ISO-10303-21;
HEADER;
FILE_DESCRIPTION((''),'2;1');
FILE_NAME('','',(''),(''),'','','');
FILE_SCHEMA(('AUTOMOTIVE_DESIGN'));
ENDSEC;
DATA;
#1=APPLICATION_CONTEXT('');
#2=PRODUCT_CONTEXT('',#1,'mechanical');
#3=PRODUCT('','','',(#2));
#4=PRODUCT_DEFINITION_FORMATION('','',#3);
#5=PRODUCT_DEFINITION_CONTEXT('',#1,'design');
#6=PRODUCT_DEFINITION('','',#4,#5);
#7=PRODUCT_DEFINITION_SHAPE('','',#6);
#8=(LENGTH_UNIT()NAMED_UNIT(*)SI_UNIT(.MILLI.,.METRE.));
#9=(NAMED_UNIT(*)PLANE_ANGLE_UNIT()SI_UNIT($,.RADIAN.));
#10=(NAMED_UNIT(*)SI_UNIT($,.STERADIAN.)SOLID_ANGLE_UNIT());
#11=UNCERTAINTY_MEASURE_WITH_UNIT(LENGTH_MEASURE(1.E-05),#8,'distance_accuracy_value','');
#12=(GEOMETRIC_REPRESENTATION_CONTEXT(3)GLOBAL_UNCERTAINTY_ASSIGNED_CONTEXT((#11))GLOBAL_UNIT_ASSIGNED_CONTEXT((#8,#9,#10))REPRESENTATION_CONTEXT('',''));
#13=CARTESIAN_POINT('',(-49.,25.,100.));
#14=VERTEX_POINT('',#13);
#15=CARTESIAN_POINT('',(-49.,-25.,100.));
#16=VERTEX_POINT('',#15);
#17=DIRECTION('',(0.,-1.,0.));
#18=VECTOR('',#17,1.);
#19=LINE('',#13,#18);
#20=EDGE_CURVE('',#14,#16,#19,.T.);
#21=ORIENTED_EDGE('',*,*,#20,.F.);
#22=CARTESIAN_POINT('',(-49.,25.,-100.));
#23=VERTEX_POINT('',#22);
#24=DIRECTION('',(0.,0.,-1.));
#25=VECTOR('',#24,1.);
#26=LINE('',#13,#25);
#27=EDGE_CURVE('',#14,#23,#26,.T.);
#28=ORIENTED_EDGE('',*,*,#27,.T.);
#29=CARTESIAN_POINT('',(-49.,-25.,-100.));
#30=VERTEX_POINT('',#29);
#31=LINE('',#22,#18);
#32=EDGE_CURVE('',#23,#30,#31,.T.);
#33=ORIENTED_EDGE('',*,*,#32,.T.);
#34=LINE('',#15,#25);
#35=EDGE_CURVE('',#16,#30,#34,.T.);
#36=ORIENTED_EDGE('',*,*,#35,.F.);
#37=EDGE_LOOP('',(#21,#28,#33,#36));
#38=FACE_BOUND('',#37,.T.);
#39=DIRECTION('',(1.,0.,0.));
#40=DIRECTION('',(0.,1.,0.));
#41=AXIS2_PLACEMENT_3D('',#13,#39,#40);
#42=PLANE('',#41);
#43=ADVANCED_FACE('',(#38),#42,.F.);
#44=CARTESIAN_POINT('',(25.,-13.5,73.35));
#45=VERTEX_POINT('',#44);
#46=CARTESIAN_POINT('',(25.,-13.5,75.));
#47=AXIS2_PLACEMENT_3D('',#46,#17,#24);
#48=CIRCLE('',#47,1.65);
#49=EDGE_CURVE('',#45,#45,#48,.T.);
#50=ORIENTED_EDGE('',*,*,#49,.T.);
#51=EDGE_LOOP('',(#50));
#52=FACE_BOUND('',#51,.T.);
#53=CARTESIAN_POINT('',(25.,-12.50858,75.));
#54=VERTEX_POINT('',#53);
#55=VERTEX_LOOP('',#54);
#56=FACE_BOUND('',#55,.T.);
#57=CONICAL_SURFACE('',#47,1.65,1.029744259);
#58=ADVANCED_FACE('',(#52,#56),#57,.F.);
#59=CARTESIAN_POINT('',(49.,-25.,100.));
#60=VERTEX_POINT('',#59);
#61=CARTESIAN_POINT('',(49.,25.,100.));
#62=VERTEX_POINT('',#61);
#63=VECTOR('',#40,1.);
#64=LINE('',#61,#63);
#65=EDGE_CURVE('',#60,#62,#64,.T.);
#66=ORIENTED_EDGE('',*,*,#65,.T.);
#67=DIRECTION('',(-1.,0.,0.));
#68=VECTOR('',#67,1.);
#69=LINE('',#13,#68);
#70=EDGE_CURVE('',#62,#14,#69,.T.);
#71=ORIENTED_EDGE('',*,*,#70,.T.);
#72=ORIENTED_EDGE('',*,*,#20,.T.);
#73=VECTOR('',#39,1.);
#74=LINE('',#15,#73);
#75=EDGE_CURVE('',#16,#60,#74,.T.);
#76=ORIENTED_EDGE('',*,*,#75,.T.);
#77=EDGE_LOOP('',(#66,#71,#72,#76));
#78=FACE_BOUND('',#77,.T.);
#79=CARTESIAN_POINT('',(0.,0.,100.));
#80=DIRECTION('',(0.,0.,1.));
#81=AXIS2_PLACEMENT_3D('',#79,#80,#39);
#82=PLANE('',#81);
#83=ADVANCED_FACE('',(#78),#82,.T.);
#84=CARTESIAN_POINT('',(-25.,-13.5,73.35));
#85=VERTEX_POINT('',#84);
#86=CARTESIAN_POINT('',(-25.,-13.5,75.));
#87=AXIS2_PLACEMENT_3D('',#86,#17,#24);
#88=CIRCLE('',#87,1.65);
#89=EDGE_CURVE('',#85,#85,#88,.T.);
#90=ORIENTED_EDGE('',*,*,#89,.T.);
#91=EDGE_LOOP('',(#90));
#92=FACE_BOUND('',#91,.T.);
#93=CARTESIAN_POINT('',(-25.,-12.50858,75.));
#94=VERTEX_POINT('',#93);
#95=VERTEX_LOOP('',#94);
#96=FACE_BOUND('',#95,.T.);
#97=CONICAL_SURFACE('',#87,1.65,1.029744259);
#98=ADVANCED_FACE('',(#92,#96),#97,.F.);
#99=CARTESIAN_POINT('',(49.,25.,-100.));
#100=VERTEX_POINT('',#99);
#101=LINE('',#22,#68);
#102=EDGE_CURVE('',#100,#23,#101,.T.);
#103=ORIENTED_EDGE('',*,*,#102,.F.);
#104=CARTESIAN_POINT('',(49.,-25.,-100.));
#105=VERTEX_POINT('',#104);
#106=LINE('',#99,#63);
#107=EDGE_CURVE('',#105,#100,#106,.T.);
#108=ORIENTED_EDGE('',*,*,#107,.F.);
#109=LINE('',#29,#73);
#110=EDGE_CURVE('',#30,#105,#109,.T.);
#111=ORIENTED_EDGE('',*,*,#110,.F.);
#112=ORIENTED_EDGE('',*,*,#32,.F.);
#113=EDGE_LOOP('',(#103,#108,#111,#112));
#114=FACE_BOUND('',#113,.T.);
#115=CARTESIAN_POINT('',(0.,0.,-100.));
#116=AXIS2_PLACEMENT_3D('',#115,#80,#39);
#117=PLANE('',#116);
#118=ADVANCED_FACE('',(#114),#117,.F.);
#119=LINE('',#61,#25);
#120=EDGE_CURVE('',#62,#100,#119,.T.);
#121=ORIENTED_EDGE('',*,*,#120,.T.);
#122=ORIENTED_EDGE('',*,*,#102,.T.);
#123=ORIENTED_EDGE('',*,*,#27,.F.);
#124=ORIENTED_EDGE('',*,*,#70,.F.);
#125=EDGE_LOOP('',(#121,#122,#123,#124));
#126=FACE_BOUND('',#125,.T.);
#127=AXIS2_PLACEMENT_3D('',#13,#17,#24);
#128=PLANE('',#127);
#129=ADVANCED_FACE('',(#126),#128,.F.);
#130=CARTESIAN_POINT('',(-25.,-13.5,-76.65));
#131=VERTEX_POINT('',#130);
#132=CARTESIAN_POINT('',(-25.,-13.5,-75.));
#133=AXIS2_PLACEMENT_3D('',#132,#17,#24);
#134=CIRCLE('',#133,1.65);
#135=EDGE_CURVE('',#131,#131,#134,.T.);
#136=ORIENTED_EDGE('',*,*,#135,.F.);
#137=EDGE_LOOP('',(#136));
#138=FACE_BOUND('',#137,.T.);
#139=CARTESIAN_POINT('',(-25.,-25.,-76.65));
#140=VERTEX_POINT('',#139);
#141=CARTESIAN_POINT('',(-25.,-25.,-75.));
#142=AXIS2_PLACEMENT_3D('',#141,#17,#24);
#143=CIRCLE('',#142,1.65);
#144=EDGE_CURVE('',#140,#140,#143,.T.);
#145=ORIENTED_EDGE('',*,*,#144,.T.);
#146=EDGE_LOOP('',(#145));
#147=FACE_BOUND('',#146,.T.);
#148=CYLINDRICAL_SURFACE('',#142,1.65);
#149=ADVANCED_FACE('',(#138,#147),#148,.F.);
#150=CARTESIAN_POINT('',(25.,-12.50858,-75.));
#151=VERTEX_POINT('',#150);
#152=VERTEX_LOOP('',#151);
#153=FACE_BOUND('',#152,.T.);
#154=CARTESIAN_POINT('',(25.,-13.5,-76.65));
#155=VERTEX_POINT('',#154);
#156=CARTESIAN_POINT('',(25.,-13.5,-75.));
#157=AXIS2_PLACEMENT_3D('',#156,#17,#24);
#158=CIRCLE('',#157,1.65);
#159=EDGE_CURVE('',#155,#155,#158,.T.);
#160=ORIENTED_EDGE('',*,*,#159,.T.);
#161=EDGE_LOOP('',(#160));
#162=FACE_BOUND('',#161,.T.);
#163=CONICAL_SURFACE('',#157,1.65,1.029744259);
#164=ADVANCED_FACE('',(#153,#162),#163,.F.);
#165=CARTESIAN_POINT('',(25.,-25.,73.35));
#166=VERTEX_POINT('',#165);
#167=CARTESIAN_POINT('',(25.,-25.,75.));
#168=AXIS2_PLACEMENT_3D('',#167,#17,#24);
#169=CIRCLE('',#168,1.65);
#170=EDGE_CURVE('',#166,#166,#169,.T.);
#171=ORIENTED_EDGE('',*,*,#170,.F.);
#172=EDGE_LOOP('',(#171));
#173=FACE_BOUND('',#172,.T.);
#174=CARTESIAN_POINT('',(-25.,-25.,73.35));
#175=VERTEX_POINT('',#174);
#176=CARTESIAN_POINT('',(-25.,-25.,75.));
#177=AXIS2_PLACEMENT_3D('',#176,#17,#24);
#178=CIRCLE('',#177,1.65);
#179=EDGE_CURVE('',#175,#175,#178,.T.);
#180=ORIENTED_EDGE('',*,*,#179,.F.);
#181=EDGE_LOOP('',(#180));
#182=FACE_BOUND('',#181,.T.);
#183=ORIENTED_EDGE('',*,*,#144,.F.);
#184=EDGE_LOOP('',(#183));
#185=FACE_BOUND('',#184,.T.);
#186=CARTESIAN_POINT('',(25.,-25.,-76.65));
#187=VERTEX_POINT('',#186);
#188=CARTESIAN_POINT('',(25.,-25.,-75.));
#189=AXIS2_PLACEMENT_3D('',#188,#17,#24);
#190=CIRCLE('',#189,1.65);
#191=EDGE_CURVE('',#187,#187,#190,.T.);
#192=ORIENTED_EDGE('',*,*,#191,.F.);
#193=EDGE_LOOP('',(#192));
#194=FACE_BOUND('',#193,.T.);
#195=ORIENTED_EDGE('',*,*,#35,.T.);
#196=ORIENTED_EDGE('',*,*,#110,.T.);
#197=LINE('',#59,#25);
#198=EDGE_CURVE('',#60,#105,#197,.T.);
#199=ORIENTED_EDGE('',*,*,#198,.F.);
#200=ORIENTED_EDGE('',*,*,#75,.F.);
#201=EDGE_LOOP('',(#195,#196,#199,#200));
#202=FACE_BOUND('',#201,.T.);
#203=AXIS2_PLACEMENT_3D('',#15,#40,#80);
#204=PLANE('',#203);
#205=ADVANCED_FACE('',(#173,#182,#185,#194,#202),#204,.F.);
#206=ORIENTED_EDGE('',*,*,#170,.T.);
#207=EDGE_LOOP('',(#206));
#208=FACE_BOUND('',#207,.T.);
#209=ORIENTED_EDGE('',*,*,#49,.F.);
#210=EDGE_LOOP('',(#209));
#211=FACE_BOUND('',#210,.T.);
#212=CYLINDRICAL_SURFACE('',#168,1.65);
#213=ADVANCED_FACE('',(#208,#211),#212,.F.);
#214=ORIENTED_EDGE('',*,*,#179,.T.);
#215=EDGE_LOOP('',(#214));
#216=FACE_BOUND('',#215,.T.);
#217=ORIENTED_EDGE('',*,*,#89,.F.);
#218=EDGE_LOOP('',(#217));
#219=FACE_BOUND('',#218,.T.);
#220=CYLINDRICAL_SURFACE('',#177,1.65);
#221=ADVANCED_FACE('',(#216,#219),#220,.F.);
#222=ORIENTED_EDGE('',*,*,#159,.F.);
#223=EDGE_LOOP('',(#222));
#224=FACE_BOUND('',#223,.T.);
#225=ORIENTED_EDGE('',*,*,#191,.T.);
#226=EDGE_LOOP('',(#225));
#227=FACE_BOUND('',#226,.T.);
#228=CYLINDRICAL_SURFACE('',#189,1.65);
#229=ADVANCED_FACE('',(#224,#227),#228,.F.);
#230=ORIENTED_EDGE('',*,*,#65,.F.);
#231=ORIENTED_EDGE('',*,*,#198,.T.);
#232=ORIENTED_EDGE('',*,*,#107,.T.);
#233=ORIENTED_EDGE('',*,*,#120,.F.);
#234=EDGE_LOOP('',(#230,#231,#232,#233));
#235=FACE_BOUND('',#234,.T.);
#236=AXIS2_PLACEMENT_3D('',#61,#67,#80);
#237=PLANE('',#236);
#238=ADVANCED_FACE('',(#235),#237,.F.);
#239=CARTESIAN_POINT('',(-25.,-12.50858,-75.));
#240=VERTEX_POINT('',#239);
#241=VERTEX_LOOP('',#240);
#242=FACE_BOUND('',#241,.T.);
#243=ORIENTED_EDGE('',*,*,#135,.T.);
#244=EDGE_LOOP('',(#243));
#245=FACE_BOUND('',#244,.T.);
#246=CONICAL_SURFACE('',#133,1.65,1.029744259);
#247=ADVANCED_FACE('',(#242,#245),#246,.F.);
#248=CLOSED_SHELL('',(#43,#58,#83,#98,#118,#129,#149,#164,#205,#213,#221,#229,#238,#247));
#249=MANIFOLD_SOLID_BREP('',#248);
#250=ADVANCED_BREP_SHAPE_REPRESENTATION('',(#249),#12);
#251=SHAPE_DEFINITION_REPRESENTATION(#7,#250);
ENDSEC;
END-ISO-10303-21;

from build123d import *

# Parameters (mm, degrees)
SKETCH_1_W            = 98
SKETCH_1_H            = 50
EXTRUDE_305_DEPTH     = 100
HOLE_WIZARD_M41_D     = 3.3
HOLE_WIZARD_M41_DEPTH = 11.5
HOLE_WIZARD_M41_TIP   = 0.991420021


with BuildPart() as part:
    # Эскиз1 → Extrude 305 (new, symmetric)
    with BuildSketch(Plane.XY):
        Rectangle(SKETCH_1_W, SKETCH_1_H)
    extrude(amount=EXTRUDE_305_DEPTH, both=True)

    # Отверстие обработанное метчиком M41
    with Locations(Plane(origin=(0, -25, 0), x_dir=(-1, 0, 0), z_dir=(0, -1, 0))):
        with Locations((25, -75), (-25, -75), (-25, 75), (25, 75)):
            Hole(HOLE_WIZARD_M41_D / 2, depth=HOLE_WIZARD_M41_DEPTH)
            with Locations((0, 0, -(HOLE_WIZARD_M41_DEPTH + HOLE_WIZARD_M41_TIP / 2))):  # 118° drill point
                Cone(0, HOLE_WIZARD_M41_D / 2, HOLE_WIZARD_M41_TIP, mode=Mode.SUBTRACT)


solid = part.part
